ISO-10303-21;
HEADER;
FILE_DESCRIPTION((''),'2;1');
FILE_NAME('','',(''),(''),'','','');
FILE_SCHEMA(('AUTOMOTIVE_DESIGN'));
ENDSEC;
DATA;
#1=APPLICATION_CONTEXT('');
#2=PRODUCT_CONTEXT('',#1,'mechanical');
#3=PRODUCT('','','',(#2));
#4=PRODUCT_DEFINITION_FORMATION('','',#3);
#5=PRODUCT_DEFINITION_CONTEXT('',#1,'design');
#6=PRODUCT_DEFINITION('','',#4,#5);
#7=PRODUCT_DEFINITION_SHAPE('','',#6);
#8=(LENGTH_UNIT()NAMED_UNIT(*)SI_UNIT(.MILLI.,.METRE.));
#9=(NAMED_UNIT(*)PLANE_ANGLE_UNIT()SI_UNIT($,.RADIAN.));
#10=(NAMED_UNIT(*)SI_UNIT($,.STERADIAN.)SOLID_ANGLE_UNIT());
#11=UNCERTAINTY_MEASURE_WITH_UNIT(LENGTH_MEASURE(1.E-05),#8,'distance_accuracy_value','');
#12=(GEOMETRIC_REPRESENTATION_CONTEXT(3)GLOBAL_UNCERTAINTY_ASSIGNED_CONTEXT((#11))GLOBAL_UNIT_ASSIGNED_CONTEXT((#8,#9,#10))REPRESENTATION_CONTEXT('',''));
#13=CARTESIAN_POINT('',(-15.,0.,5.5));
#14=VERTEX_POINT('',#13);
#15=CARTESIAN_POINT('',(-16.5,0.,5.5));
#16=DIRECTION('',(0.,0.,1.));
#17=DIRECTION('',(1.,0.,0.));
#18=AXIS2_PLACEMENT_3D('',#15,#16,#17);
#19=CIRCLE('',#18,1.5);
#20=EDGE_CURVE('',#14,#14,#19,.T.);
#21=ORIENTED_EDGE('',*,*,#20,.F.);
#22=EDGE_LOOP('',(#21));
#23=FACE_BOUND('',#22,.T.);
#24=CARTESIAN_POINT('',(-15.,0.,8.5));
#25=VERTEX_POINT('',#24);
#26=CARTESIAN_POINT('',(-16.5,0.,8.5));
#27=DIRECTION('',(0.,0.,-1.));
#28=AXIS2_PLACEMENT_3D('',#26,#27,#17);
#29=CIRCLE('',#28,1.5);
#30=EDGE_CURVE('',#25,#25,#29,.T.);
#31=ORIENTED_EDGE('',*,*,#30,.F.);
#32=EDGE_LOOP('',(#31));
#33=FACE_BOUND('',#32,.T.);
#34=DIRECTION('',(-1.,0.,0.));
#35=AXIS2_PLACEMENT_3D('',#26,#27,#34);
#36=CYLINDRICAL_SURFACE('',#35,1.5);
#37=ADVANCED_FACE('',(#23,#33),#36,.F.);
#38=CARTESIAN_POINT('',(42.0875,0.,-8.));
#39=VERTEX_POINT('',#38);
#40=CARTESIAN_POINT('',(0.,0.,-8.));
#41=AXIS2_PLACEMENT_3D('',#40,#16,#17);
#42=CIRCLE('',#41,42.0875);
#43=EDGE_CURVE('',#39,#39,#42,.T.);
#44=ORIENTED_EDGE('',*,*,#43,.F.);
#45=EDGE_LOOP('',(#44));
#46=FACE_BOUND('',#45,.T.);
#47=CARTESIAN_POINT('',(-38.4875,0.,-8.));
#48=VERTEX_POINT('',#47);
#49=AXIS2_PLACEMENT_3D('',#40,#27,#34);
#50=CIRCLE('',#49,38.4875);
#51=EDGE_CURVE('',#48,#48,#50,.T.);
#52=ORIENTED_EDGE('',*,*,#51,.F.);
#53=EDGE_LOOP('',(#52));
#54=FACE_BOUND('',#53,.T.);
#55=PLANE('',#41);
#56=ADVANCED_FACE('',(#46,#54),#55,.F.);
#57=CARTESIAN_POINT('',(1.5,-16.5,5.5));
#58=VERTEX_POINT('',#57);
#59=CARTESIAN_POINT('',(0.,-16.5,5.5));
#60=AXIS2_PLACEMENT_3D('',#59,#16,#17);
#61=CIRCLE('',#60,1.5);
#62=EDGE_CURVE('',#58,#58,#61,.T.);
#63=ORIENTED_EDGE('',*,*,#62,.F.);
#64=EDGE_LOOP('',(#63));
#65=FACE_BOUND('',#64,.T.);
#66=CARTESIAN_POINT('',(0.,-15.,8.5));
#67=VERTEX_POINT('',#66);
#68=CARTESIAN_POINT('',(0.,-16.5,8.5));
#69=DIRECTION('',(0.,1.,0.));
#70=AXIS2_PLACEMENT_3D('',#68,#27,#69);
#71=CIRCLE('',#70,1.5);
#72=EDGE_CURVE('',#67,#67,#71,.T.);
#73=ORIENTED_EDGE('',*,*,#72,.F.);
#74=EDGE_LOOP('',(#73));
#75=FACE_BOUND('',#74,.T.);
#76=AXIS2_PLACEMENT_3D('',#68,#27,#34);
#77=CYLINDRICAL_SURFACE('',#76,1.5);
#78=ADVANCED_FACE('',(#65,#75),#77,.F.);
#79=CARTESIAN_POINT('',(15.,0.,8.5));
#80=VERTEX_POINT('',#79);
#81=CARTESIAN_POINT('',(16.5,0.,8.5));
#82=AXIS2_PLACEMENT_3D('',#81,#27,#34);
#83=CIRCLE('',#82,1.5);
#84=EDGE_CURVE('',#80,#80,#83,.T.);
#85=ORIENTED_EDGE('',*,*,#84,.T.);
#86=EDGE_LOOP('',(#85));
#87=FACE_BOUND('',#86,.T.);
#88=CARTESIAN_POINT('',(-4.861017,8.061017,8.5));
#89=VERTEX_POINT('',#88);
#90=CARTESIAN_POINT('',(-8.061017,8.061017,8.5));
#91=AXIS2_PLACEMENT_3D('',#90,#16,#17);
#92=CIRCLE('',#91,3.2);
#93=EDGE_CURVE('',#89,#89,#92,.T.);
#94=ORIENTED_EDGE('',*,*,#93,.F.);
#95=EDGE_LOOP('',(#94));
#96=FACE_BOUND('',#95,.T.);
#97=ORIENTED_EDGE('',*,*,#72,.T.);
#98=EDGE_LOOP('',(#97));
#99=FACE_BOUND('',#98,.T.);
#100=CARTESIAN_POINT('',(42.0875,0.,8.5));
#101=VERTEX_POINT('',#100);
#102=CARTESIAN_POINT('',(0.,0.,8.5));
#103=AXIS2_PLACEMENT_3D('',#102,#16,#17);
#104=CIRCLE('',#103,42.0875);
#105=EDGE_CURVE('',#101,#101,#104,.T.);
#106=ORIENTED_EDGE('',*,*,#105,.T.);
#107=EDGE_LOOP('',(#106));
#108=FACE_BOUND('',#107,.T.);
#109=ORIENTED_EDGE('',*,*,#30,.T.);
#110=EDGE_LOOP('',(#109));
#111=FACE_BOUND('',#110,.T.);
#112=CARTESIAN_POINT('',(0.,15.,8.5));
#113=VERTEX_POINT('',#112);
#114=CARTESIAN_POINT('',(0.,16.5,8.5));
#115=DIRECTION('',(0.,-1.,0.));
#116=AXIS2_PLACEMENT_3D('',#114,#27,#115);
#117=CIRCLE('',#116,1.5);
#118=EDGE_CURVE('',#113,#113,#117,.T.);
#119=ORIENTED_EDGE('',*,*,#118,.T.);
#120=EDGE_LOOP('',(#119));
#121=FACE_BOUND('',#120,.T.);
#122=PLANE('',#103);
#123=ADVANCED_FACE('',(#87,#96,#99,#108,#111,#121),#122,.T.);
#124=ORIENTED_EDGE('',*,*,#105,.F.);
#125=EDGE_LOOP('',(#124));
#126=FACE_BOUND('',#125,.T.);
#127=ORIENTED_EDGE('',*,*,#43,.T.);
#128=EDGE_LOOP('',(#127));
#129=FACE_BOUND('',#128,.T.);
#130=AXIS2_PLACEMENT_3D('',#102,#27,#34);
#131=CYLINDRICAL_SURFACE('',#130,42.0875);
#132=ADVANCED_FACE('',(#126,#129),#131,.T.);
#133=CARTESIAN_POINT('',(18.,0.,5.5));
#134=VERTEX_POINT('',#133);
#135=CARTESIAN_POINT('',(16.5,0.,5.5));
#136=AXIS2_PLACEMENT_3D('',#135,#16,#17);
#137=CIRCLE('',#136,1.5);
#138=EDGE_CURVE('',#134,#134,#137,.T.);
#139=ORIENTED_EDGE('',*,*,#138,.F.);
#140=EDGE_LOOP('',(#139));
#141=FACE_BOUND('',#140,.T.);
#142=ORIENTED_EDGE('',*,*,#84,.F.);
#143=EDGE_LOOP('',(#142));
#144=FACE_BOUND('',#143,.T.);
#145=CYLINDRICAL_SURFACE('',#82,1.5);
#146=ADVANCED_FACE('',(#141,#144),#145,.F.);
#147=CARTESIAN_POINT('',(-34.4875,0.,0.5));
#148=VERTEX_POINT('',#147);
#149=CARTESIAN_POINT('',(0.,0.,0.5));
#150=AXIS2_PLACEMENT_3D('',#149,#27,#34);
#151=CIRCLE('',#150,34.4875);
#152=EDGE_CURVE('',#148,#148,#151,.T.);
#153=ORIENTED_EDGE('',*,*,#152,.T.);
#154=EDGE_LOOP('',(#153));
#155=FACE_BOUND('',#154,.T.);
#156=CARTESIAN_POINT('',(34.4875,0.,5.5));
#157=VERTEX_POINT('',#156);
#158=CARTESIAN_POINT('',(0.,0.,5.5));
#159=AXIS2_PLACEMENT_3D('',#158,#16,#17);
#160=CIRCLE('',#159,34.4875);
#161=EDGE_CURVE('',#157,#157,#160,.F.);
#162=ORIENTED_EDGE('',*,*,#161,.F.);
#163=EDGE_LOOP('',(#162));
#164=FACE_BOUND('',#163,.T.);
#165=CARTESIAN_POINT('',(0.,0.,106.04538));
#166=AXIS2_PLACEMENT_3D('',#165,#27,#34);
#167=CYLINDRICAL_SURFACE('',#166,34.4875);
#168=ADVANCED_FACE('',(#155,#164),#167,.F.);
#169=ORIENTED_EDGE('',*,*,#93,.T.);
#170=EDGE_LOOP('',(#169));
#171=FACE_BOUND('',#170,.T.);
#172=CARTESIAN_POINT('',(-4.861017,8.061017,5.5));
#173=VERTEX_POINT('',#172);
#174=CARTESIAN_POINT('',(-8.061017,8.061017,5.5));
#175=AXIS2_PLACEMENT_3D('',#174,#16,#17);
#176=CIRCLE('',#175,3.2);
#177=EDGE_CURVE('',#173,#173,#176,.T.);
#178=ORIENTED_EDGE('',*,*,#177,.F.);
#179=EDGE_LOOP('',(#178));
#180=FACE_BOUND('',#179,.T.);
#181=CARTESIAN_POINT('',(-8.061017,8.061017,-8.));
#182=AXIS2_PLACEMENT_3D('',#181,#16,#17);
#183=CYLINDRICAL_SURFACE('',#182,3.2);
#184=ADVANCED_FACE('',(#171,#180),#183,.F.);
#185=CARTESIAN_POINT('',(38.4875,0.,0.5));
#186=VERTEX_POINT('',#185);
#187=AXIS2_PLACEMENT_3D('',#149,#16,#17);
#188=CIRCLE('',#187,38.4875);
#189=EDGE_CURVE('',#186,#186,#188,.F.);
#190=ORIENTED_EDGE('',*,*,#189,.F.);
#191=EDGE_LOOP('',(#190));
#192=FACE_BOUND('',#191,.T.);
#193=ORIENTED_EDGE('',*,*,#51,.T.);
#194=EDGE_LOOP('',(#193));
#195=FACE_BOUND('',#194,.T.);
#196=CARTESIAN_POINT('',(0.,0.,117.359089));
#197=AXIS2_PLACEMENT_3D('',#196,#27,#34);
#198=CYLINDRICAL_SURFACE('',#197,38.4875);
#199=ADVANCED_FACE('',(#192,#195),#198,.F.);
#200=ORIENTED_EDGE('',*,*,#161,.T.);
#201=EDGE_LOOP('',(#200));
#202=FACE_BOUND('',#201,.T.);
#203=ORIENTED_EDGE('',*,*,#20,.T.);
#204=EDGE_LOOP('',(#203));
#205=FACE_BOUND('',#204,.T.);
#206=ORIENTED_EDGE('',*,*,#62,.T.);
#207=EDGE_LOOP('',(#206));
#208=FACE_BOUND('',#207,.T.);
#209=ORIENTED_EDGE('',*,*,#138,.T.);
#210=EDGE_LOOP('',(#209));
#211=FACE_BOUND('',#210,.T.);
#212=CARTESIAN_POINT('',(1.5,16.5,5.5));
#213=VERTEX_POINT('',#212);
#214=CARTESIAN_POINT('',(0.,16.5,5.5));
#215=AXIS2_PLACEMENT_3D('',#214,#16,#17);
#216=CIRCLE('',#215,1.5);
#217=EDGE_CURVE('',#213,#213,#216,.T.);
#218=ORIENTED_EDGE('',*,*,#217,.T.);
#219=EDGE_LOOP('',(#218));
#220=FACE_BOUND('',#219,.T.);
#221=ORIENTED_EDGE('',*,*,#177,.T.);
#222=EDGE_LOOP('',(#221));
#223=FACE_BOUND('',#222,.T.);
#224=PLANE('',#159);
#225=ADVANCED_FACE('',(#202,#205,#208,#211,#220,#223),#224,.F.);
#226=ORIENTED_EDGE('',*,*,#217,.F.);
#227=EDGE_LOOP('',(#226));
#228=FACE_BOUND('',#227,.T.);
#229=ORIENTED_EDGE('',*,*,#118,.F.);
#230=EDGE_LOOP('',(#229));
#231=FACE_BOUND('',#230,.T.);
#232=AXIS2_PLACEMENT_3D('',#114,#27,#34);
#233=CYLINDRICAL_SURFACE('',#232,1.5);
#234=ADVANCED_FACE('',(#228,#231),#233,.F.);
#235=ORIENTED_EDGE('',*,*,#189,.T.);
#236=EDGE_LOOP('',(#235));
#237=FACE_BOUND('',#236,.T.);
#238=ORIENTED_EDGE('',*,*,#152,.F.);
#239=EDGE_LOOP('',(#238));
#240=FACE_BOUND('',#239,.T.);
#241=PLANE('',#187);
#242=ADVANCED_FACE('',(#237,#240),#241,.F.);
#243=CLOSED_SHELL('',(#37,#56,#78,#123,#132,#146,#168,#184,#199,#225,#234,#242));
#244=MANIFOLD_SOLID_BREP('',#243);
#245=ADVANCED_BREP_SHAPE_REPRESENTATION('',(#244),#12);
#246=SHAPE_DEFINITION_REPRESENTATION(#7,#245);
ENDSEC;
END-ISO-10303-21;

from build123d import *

# Parameters (mm, degrees)
SKETCH1_R               = 42.0875
BOSS_EXTRUDE1_DEPTH     = 16.5
SKETCH2_R               = 38.4875
CUT_EXTRUDE1_DEPTH      = 8.5
SKETCH3_R               = 34.4875
CUT_EXTRUDE2_DEPTH      = 5
SKETCH5_R               = 3.2
CUT_EXTRUDE4_DEPTH      = 1
CUT_EXTRUDE4_DEPTH_BACK = 17.5
CUT_EXTRUDE3_START      = -4
SKETCH4_R               = 1.5
CUT_EXTRUDE3_DEPTH      = 18.5
CIRPATTERN1_COUNT       = 4


with BuildPart() as part:
    # Sketch1 → Boss-Extrude1 (new body)
    with BuildSketch(Plane.XY.offset(-8)):
        Circle(SKETCH1_R)
    extrude(amount=BOSS_EXTRUDE1_DEPTH)

    # Sketch2 → Cut-Extrude1 (cut)
    with BuildSketch(Plane(origin=(0, 0, -8), x_dir=(-1, 0, 0), z_dir=(0, 0, -1))):
        Circle(SKETCH2_R)
    extrude(amount=-CUT_EXTRUDE1_DEPTH, mode=Mode.SUBTRACT)

    # Sketch3 → Cut-Extrude2 (cut)
    with BuildSketch(Plane(origin=(0, 0, 0.5), x_dir=(-1, 0, 0), z_dir=(0, 0, -1))):
        Circle(SKETCH3_R)
    extrude(amount=-CUT_EXTRUDE2_DEPTH, mode=Mode.SUBTRACT)

    # Sketch5 → Cut-Extrude4 (cut, two sides)
    with BuildSketch(Plane.XY.offset(8.5)) as cut_extrude4_sk:
        with Locations((-8.061017306, 8.061017306)):
            Circle(SKETCH5_R)
    extrude(amount=CUT_EXTRUDE4_DEPTH, mode=Mode.SUBTRACT)
    extrude(cut_extrude4_sk.sketch, amount=-CUT_EXTRUDE4_DEPTH_BACK, mode=Mode.SUBTRACT)

    # Sketch4 → Cut-Extrude3 (cut)
    with BuildSketch(Plane(origin=(0, 0, 5.5), x_dir=(-1, 0, 0), z_dir=(0, 0, -1)).offset(CUT_EXTRUDE3_START)):
        with Locations((-16.5, 0)):
            Circle(SKETCH4_R)
    cut_extrude3 = extrude(amount=CUT_EXTRUDE3_DEPTH, mode=Mode.SUBTRACT)

    # CirPattern1: Cut-Extrude3 ×4 about axis
    cirpattern1_axis = Axis((0, 0, 0), (0, 0, 1))
    for i in range(1, CIRPATTERN1_COUNT):
        add(cut_extrude3.rotate(cirpattern1_axis, i * 360 / CIRPATTERN1_COUNT), mode=Mode.SUBTRACT)


solid = part.part
